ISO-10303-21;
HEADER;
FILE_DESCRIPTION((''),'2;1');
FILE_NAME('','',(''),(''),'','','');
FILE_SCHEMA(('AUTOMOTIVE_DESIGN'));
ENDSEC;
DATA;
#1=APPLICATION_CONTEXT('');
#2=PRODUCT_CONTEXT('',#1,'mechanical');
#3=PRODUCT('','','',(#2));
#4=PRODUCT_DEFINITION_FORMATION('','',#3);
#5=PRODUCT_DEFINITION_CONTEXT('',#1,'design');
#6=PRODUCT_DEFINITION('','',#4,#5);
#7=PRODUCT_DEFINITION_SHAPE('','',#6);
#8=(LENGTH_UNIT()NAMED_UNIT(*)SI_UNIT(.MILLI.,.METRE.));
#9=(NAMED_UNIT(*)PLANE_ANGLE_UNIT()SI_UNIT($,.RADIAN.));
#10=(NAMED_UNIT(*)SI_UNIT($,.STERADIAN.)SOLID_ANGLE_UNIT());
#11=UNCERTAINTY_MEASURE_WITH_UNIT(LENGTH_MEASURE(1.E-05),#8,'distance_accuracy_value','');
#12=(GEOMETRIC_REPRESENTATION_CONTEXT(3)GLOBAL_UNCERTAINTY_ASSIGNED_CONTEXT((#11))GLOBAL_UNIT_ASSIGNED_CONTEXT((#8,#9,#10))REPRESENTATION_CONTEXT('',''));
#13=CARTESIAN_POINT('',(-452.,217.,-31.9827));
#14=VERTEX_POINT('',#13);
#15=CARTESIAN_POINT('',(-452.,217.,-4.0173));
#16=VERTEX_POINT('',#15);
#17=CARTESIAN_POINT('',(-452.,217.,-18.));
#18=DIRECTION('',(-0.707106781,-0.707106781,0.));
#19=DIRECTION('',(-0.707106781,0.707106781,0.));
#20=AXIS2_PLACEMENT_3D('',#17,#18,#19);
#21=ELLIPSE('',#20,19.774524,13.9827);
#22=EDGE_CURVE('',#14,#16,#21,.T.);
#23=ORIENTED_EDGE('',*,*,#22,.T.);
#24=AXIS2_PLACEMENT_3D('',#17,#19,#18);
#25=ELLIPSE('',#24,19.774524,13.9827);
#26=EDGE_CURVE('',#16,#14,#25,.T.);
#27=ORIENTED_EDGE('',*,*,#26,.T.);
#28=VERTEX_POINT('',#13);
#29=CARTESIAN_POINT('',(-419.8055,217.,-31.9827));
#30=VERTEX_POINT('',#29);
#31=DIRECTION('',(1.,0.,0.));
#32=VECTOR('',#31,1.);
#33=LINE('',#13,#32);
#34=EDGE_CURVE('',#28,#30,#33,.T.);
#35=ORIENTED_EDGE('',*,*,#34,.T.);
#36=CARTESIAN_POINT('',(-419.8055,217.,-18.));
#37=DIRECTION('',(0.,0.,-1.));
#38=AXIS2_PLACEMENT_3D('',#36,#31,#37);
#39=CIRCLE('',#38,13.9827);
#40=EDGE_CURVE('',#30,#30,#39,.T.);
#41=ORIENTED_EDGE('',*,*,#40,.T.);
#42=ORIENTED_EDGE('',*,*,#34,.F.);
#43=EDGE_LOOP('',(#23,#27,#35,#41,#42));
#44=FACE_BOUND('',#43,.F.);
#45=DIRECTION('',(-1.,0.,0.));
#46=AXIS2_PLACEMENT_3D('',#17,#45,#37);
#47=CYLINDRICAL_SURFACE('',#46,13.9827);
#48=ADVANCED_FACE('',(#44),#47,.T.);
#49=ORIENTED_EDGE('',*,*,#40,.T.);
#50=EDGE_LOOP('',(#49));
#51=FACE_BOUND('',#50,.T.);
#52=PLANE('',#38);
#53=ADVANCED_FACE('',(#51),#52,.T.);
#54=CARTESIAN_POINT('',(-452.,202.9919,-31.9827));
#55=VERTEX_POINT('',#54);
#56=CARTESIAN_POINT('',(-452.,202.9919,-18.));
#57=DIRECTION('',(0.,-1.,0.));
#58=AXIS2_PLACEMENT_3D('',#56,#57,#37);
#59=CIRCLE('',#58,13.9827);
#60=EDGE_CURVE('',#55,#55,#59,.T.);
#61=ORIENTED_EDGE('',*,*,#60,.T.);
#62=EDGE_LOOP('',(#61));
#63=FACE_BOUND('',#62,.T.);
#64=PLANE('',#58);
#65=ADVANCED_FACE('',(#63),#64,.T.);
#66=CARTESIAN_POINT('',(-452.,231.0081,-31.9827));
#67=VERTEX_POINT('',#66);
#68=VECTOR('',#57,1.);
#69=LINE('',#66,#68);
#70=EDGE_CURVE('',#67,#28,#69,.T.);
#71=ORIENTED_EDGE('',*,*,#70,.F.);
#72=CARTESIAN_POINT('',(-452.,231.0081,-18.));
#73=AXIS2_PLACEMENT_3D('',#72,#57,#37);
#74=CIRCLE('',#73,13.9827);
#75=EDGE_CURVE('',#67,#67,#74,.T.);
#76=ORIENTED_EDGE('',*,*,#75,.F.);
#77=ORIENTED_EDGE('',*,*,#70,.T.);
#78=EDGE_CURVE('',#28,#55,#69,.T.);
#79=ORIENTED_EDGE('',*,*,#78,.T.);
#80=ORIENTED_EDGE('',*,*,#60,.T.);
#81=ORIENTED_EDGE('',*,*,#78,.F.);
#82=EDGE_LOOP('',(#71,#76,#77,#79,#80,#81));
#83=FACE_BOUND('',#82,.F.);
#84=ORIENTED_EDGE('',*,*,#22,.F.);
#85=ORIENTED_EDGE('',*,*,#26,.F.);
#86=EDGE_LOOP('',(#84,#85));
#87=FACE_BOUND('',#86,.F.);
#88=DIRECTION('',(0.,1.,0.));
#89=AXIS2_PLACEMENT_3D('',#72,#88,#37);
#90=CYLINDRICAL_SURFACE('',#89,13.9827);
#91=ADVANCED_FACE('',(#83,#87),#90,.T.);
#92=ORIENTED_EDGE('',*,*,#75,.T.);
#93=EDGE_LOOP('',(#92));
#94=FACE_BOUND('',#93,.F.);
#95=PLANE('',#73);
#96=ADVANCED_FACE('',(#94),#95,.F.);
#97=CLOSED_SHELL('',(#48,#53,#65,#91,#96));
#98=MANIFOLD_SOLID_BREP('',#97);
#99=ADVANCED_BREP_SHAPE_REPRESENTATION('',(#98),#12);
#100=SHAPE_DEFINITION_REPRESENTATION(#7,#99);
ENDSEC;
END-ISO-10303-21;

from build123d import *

# Parameters (mm, degrees)
CYLINDER064_R             = 13.9827
CYLINDER064_DEPTH         = 28.0162
CYLINDER063_R             = 13.9827
CYLINDER063_DEPTH         = 32.1945
FUSION024_PLACEMENT_ANGLE = 90


with BuildPart() as cylinder064:
    # Cylinder064 → Cylinder064 (new body)
    with BuildSketch(Plane.XZ.offset(-14.0081)):
        Circle(CYLINDER064_R)
    extrude(amount=CYLINDER064_DEPTH)


with BuildPart() as rear_outer_slip_r:
    # Cylinder063 → Cylinder063 (new body)
    with BuildSketch(Plane.XY):
        Circle(CYLINDER063_R)
    extrude(amount=CYLINDER063_DEPTH)

    # Fusion024: union Cylinder064
    add(cylinder064.part)


with BuildPart() as rear_outer_slip_r_1:
    # Fusion024 placement: moved
    add(rear_outer_slip_r.part.moved(Location((-452, 217, -18))).rotate(Axis((-452, 217, -18), (0, 1, 0)), FUSION024_PLACEMENT_ANGLE))


solid = rear_outer_slip_r_1.part
